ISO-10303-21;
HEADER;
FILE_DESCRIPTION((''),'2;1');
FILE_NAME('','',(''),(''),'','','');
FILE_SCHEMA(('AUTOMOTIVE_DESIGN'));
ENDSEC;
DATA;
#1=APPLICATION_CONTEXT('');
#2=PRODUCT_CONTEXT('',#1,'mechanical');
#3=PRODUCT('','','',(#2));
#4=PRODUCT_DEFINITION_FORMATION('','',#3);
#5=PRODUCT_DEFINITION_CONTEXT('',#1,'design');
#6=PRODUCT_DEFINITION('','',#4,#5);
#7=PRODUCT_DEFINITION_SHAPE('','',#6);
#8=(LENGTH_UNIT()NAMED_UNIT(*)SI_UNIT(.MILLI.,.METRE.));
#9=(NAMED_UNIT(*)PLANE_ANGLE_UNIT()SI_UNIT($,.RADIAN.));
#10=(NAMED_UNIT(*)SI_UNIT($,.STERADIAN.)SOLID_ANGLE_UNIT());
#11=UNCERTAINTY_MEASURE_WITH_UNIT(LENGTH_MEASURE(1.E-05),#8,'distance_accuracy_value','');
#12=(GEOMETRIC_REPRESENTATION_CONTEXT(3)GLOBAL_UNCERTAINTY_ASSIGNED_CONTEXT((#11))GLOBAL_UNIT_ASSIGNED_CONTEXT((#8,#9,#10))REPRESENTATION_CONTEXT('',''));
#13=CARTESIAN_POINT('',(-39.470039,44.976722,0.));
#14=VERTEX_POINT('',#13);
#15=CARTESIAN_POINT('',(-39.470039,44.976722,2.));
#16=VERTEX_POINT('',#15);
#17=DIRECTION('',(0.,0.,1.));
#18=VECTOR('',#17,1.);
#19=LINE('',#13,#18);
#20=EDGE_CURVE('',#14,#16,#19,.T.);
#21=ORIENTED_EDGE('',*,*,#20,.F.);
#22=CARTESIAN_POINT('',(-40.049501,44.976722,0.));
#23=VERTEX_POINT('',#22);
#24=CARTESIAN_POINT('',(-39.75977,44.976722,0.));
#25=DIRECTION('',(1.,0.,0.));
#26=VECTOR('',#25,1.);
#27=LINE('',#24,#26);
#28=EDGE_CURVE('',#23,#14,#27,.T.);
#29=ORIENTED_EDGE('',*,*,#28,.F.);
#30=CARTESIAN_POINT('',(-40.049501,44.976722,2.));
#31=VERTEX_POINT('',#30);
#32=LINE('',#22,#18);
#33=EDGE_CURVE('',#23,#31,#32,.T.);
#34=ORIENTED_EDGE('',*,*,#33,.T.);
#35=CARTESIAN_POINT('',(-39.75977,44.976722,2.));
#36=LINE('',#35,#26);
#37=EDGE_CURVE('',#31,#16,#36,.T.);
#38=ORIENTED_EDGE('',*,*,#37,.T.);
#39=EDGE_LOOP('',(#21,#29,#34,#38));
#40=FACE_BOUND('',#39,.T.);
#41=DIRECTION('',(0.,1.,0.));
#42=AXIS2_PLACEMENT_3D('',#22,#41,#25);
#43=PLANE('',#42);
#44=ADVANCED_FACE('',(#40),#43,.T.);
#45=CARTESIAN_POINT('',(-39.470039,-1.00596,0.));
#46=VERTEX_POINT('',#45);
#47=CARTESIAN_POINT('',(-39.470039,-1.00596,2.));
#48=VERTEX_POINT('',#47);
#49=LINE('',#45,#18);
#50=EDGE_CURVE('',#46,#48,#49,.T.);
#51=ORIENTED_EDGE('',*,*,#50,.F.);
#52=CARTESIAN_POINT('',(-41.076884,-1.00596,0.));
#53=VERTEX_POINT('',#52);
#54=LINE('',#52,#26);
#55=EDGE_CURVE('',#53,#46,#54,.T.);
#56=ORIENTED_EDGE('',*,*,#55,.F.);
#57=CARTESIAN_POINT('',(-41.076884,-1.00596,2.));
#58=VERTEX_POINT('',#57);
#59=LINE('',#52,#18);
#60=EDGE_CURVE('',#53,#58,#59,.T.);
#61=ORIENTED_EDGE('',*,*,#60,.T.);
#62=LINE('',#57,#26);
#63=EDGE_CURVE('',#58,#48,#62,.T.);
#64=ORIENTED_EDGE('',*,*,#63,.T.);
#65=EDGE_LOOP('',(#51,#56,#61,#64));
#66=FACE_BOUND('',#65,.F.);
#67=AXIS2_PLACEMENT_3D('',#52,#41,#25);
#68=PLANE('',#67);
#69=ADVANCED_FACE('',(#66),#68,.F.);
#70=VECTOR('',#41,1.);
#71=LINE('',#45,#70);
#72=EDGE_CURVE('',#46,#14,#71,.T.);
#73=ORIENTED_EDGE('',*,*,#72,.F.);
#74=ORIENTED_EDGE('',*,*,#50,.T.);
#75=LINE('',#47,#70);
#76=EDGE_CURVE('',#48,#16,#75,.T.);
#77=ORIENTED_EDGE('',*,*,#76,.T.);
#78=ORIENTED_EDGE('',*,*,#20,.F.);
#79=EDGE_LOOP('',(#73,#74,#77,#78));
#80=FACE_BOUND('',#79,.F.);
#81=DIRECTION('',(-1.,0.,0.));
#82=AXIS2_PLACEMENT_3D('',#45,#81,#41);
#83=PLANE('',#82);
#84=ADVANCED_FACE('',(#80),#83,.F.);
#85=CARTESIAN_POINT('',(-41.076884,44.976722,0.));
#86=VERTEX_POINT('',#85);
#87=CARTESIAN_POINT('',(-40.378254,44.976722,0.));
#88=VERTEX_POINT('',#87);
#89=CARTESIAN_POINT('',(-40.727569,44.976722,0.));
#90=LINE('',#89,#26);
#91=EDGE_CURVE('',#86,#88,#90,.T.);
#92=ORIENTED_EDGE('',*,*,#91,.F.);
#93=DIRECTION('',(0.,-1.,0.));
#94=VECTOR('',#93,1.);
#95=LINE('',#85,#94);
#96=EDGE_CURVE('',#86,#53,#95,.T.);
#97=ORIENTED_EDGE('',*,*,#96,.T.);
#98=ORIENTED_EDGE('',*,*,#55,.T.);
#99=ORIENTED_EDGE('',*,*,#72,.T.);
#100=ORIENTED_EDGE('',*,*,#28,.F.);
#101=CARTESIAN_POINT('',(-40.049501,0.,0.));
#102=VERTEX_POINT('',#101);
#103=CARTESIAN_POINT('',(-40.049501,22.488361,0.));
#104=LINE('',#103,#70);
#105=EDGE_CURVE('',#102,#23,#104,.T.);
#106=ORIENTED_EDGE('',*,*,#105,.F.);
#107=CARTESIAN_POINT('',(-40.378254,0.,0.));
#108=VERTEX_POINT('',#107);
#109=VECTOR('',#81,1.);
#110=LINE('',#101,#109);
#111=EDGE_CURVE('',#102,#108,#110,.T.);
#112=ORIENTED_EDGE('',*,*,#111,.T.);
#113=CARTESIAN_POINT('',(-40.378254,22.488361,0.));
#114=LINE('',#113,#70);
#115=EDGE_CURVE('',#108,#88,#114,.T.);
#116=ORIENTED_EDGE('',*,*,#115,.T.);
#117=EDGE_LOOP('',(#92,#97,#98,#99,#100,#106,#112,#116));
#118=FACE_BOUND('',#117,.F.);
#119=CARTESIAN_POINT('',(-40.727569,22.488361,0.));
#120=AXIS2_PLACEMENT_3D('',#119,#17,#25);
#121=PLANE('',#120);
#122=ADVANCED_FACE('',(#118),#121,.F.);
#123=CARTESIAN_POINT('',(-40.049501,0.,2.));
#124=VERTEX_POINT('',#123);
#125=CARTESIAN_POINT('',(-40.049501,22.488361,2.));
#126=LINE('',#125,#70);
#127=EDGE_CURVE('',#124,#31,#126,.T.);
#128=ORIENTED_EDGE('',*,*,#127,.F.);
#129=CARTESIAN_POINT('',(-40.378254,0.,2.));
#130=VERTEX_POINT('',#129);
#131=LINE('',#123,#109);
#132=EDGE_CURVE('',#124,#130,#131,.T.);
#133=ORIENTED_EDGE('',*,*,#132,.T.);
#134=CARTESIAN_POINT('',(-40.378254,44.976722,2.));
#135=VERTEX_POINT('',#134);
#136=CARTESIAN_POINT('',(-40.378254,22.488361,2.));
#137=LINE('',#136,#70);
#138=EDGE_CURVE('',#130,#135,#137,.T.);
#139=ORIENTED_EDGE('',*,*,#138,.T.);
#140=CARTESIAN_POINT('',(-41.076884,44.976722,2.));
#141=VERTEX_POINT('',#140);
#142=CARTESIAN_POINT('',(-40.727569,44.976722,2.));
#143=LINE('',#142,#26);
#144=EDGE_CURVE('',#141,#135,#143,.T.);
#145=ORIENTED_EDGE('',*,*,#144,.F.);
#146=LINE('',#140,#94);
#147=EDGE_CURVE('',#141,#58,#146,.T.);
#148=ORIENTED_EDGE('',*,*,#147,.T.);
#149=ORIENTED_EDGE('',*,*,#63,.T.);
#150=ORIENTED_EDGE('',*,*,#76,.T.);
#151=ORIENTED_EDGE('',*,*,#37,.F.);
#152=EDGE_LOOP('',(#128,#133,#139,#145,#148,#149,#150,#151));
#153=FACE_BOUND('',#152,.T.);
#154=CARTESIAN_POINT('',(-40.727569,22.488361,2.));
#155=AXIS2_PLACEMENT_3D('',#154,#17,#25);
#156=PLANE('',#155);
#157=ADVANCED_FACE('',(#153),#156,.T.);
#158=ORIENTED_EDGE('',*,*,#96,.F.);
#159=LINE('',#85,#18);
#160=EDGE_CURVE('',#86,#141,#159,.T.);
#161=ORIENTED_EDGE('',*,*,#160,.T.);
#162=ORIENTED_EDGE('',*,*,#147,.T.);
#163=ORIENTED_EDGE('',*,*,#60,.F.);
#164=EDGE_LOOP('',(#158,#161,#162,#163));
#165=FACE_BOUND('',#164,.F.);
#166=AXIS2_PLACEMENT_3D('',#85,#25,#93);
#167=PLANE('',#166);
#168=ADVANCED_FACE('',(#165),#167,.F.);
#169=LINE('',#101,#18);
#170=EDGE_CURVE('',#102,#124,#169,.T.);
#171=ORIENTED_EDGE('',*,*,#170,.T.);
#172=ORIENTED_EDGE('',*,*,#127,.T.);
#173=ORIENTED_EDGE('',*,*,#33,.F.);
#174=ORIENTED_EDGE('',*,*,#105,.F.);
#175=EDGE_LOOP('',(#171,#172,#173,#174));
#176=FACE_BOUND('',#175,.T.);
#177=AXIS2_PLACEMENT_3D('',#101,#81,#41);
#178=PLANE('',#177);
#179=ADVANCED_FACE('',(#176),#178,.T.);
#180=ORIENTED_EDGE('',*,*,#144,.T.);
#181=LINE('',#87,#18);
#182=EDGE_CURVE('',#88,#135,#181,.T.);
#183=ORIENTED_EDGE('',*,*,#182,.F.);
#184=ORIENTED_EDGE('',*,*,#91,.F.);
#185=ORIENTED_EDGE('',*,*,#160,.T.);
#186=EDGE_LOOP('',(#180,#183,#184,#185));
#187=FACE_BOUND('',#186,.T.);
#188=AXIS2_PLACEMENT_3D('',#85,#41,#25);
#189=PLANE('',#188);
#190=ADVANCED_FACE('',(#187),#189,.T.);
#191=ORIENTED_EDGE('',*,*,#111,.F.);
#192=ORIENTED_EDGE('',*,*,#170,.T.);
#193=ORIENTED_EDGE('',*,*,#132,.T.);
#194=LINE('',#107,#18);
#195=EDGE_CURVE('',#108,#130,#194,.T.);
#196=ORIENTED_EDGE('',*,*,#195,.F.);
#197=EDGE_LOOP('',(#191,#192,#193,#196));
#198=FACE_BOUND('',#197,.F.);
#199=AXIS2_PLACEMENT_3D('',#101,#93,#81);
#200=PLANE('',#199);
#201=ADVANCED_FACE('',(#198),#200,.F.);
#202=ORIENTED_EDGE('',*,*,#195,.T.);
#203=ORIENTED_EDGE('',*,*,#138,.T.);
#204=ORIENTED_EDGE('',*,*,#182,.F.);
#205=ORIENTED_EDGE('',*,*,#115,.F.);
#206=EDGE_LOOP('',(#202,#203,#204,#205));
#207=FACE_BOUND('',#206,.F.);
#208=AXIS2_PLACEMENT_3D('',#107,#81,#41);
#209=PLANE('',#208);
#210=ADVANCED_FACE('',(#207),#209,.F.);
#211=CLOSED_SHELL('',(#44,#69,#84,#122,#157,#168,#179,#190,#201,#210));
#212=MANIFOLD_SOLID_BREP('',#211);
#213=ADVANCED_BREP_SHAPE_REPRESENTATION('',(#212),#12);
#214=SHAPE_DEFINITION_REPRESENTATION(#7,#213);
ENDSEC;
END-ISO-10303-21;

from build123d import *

# Parameters (mm, degrees)
F0_W     = 0.69863
F0_H     = 44.976722
F0_W_2   = 0.579462
F1_DEPTH = 2


with BuildPart() as f1:
    # F0 (on Top) → F1 (new body)
    with BuildSketch(Plane.XY):
        with Locations((-40.727569, 22.488361)):
            Rectangle(F0_W, F0_H)
        with Locations((-39.75977, 22.488361)):
            Rectangle(F0_W_2, F0_H)
        Polygon((-40.378254, 0), (-41.076884, 0), (-41.076884, -1.00596), (-39.470039, -1.00596), (-39.470039, 0), (-40.049501, 0), align=None)
    extrude(amount=F1_DEPTH)


solid = f1.part
